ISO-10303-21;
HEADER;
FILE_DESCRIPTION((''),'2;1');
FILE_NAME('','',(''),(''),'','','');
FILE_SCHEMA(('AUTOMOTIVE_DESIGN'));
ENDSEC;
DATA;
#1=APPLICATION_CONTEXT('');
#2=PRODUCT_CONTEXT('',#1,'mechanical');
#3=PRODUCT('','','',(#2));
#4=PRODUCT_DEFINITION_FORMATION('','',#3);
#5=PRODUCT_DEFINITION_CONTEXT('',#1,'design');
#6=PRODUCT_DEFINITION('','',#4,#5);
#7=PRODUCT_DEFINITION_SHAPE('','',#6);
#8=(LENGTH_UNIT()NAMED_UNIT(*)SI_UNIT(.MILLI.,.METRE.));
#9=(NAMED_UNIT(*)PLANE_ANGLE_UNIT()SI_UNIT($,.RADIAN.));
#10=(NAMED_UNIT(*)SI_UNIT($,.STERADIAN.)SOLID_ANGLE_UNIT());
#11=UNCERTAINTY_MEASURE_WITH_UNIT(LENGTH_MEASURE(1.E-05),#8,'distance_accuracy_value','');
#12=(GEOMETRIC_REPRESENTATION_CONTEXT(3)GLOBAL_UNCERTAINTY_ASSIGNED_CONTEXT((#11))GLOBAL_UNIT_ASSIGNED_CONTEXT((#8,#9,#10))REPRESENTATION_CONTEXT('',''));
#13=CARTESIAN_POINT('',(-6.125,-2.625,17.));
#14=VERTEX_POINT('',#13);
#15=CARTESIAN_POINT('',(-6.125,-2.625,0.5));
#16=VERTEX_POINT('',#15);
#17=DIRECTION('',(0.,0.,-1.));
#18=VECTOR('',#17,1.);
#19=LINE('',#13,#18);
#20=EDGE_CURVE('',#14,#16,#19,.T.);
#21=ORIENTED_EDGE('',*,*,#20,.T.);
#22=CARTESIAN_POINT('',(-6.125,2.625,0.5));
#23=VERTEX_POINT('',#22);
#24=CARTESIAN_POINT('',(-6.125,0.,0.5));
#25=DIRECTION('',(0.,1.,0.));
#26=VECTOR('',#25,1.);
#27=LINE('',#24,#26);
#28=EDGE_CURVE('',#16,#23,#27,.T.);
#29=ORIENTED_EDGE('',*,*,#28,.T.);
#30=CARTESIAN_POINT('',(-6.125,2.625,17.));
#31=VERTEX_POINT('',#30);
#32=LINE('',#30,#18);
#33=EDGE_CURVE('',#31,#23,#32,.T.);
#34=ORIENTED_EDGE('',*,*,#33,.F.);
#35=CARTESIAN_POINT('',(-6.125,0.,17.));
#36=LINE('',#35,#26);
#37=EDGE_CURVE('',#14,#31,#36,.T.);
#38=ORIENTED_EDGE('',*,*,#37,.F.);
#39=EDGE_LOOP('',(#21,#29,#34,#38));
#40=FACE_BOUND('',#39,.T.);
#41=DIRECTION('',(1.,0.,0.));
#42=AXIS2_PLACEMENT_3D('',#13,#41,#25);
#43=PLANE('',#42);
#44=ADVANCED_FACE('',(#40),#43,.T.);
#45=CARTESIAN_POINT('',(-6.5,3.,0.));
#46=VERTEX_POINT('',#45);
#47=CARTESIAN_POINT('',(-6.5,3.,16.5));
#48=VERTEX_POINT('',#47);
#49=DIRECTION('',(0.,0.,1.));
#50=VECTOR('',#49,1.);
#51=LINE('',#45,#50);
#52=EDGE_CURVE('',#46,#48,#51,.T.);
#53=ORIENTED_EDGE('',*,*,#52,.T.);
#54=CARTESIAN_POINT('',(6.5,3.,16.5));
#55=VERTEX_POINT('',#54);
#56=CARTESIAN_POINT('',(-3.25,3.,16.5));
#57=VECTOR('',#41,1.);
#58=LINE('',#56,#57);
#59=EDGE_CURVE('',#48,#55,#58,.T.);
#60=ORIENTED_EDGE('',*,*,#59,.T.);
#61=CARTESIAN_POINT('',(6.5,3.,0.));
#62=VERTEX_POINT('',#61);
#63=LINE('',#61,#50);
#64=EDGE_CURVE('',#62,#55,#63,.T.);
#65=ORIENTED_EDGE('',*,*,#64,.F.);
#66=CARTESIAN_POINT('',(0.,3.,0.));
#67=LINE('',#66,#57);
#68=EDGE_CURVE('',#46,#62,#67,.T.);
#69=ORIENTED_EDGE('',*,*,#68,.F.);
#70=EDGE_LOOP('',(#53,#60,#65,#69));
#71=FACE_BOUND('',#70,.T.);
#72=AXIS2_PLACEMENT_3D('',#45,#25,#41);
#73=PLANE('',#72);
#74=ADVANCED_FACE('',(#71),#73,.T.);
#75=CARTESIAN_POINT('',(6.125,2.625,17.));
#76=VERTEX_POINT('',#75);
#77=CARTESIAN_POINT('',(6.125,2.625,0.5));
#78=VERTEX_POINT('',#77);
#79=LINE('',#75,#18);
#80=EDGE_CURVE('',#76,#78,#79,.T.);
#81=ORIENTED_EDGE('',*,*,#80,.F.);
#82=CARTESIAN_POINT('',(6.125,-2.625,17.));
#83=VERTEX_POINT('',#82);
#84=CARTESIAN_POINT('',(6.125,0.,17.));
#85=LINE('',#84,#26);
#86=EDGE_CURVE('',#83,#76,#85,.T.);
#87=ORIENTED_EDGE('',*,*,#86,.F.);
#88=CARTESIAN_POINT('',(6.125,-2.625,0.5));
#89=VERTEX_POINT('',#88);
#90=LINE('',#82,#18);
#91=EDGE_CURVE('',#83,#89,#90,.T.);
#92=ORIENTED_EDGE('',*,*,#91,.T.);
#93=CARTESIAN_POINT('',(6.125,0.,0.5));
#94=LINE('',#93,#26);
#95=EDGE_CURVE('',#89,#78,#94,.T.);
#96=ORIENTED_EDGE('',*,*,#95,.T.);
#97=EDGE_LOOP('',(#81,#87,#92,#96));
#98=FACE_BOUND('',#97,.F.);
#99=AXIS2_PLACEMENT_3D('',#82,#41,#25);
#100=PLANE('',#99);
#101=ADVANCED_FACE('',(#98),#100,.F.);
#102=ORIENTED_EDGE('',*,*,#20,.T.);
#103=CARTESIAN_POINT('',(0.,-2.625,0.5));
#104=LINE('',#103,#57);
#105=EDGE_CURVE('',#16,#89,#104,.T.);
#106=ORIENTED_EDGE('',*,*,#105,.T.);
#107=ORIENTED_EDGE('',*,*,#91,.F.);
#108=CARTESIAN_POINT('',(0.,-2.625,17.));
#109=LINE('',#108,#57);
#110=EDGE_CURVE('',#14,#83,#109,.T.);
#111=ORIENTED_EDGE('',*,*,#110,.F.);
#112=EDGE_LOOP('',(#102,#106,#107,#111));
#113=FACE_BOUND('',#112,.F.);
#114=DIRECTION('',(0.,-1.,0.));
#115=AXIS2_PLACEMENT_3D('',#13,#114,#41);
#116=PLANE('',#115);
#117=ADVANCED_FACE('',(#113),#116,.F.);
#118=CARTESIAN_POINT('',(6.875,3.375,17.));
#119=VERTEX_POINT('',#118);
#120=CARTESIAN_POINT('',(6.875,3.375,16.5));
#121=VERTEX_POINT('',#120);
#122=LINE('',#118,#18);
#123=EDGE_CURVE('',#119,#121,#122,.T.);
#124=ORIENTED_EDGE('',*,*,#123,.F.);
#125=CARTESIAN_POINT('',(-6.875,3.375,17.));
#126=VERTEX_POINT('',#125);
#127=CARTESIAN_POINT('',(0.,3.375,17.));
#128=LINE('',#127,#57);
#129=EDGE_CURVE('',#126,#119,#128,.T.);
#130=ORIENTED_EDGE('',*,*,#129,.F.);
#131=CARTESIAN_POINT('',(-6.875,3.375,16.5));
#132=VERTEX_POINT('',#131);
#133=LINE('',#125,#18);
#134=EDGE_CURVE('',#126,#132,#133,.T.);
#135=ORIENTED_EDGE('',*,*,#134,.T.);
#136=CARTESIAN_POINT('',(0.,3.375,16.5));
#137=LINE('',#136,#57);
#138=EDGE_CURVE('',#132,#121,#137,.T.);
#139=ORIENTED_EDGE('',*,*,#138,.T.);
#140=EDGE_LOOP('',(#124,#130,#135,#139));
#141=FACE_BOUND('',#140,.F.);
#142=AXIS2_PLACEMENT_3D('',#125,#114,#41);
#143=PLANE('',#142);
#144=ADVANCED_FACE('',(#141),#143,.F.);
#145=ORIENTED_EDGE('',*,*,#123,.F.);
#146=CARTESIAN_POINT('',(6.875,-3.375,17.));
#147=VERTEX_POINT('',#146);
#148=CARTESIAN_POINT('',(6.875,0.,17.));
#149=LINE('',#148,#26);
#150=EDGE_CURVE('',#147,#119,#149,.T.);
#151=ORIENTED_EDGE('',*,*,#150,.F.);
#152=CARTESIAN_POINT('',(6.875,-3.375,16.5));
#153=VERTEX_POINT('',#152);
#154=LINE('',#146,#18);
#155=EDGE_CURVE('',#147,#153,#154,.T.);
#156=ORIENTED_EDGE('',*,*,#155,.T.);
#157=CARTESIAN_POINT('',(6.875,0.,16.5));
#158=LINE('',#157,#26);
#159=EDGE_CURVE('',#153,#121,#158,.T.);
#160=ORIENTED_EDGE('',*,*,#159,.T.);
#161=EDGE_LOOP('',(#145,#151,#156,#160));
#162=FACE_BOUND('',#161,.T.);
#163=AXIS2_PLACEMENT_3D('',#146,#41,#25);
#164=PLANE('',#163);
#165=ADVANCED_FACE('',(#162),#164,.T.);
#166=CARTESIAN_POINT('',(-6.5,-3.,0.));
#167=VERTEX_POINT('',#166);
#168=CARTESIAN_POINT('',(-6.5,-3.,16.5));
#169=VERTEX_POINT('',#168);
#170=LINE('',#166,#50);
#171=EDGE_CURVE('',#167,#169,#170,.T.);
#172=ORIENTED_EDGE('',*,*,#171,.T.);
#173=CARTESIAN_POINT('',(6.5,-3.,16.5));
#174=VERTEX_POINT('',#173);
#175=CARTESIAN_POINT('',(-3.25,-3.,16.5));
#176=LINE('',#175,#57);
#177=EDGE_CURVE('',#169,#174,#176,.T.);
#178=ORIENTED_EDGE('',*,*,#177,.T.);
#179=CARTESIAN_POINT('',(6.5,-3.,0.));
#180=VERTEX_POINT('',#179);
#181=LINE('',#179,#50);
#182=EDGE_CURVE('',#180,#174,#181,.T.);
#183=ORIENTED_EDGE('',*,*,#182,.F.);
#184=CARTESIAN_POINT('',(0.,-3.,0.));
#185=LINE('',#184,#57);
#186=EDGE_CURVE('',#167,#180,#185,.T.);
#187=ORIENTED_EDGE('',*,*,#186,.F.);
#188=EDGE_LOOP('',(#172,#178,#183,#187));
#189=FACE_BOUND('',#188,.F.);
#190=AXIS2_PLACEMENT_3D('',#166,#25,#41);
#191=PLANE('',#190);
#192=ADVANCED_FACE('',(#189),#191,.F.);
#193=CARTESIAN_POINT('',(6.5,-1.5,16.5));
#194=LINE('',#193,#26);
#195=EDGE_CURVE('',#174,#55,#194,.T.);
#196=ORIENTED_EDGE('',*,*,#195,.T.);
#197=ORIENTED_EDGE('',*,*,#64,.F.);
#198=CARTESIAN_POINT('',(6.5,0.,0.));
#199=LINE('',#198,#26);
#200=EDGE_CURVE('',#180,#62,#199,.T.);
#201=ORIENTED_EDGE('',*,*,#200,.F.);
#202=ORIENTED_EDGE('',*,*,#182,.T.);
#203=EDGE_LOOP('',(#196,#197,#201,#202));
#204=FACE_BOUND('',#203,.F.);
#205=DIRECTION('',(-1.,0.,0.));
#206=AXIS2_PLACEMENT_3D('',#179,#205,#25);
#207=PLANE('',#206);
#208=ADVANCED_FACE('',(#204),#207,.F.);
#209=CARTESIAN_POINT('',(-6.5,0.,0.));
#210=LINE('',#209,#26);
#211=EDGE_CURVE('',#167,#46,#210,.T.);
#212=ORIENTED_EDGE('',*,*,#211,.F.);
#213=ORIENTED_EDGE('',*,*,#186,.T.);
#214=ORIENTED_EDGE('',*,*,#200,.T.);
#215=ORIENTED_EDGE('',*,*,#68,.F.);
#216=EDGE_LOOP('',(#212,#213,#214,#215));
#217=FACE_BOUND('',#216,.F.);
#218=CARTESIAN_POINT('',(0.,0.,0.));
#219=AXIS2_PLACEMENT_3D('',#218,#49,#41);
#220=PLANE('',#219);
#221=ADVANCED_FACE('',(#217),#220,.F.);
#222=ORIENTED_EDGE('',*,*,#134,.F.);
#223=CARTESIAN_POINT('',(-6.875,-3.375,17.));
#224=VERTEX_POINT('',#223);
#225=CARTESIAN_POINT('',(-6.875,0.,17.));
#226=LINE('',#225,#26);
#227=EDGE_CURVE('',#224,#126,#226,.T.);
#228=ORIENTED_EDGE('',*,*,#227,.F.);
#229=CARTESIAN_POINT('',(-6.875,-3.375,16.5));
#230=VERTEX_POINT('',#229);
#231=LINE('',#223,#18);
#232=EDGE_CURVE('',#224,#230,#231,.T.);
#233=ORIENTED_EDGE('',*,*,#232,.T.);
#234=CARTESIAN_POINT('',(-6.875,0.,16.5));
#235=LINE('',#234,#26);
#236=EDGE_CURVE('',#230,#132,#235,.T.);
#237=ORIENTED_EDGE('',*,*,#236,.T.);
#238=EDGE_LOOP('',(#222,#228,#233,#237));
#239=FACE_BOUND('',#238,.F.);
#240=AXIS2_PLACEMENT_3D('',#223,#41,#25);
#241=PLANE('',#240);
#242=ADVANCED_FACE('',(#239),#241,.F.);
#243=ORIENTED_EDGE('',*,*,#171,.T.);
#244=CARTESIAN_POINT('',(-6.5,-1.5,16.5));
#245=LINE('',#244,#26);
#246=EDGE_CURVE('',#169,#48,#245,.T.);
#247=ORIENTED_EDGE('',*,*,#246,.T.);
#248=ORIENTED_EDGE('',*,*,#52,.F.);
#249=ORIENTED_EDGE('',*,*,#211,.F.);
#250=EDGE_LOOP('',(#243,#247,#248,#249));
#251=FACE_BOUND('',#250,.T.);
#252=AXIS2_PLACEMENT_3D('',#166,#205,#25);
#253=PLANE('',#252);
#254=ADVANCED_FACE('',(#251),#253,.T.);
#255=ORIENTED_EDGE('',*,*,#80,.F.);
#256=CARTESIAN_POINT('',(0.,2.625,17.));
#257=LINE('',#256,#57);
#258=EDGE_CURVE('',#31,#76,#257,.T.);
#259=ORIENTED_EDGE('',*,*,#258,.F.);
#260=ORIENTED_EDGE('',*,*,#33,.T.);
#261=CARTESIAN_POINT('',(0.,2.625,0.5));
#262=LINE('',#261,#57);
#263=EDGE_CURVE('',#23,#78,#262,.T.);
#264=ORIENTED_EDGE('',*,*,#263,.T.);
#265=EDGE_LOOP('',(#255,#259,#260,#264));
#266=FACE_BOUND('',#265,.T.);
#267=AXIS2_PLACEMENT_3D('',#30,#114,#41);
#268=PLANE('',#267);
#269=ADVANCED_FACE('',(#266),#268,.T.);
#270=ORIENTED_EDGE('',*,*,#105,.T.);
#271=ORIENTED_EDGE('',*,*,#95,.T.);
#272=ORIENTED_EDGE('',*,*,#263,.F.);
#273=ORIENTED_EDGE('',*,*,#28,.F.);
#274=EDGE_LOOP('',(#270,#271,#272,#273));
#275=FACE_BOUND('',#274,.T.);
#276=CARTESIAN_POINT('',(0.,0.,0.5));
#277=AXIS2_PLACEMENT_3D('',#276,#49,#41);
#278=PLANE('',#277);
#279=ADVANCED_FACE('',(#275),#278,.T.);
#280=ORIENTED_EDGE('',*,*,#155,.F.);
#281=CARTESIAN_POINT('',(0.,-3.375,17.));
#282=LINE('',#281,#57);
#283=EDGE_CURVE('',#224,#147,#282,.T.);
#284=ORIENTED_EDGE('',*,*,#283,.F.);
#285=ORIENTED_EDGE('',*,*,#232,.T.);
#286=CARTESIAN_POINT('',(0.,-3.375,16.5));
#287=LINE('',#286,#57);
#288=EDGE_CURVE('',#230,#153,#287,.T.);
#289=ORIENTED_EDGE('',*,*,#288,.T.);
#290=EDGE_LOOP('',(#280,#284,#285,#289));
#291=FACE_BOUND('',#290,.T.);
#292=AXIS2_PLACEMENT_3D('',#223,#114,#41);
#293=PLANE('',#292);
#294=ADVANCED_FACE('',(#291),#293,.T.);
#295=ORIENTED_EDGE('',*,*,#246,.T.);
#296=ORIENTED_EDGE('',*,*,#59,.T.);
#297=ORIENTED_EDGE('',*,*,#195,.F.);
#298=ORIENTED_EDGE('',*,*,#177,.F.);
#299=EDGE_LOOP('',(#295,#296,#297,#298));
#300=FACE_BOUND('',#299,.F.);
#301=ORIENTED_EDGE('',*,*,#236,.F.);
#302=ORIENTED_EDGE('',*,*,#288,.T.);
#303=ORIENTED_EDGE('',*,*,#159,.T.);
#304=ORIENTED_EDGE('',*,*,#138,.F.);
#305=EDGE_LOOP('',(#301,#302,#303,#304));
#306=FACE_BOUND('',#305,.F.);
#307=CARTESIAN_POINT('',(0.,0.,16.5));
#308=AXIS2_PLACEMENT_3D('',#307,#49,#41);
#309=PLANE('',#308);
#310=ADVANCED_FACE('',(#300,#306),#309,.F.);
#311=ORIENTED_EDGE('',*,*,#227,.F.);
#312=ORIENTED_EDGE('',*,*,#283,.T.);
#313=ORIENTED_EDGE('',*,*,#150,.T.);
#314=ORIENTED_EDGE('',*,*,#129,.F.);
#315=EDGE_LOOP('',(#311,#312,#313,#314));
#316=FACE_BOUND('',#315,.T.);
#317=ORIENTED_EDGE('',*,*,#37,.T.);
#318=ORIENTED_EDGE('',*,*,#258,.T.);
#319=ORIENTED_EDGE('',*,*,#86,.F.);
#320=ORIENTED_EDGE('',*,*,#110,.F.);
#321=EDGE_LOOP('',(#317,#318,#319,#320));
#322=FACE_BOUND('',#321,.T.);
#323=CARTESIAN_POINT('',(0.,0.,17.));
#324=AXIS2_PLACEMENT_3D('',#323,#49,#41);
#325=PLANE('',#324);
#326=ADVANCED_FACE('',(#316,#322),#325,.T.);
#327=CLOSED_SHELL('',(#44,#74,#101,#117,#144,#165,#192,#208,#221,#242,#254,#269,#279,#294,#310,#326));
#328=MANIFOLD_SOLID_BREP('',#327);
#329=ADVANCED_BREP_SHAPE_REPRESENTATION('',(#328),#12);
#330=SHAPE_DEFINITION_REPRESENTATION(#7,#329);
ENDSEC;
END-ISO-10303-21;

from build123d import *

# Parameters (mm, degrees)
F0_W     = 13
F0_H     = 6
F1_DEPTH = 17
F2_W     = 13.75
F2_H     = 6.75
F2_W_2   = 13
F2_H_2   = 6
F3_DEPTH = 0.5
F4_W     = 12.25
F4_H     = 5.25
F5_DEPTH = 16.5


with BuildPart() as f1:
    # F0 (on Top) → F1 (new body)
    with BuildSketch(Plane.XY):
        Rectangle(F0_W, F0_H)
    extrude(amount=F1_DEPTH)

    # F2 (on face) → F3 (join)
    with BuildSketch(Plane.XY.offset(17)):
        Rectangle(F2_W, F2_H)
        Rectangle(F2_W_2, F2_H_2, mode=Mode.SUBTRACT)
        Rectangle(F2_W_2, F2_H_2)
    extrude(amount=-F3_DEPTH)

    # F4 (on face) → F5 (cut, through all)
    with BuildSketch(Plane.XY.offset(17)):
        Rectangle(F4_W, F4_H)
    extrude(amount=-F5_DEPTH, mode=Mode.SUBTRACT)


solid = f1.part
